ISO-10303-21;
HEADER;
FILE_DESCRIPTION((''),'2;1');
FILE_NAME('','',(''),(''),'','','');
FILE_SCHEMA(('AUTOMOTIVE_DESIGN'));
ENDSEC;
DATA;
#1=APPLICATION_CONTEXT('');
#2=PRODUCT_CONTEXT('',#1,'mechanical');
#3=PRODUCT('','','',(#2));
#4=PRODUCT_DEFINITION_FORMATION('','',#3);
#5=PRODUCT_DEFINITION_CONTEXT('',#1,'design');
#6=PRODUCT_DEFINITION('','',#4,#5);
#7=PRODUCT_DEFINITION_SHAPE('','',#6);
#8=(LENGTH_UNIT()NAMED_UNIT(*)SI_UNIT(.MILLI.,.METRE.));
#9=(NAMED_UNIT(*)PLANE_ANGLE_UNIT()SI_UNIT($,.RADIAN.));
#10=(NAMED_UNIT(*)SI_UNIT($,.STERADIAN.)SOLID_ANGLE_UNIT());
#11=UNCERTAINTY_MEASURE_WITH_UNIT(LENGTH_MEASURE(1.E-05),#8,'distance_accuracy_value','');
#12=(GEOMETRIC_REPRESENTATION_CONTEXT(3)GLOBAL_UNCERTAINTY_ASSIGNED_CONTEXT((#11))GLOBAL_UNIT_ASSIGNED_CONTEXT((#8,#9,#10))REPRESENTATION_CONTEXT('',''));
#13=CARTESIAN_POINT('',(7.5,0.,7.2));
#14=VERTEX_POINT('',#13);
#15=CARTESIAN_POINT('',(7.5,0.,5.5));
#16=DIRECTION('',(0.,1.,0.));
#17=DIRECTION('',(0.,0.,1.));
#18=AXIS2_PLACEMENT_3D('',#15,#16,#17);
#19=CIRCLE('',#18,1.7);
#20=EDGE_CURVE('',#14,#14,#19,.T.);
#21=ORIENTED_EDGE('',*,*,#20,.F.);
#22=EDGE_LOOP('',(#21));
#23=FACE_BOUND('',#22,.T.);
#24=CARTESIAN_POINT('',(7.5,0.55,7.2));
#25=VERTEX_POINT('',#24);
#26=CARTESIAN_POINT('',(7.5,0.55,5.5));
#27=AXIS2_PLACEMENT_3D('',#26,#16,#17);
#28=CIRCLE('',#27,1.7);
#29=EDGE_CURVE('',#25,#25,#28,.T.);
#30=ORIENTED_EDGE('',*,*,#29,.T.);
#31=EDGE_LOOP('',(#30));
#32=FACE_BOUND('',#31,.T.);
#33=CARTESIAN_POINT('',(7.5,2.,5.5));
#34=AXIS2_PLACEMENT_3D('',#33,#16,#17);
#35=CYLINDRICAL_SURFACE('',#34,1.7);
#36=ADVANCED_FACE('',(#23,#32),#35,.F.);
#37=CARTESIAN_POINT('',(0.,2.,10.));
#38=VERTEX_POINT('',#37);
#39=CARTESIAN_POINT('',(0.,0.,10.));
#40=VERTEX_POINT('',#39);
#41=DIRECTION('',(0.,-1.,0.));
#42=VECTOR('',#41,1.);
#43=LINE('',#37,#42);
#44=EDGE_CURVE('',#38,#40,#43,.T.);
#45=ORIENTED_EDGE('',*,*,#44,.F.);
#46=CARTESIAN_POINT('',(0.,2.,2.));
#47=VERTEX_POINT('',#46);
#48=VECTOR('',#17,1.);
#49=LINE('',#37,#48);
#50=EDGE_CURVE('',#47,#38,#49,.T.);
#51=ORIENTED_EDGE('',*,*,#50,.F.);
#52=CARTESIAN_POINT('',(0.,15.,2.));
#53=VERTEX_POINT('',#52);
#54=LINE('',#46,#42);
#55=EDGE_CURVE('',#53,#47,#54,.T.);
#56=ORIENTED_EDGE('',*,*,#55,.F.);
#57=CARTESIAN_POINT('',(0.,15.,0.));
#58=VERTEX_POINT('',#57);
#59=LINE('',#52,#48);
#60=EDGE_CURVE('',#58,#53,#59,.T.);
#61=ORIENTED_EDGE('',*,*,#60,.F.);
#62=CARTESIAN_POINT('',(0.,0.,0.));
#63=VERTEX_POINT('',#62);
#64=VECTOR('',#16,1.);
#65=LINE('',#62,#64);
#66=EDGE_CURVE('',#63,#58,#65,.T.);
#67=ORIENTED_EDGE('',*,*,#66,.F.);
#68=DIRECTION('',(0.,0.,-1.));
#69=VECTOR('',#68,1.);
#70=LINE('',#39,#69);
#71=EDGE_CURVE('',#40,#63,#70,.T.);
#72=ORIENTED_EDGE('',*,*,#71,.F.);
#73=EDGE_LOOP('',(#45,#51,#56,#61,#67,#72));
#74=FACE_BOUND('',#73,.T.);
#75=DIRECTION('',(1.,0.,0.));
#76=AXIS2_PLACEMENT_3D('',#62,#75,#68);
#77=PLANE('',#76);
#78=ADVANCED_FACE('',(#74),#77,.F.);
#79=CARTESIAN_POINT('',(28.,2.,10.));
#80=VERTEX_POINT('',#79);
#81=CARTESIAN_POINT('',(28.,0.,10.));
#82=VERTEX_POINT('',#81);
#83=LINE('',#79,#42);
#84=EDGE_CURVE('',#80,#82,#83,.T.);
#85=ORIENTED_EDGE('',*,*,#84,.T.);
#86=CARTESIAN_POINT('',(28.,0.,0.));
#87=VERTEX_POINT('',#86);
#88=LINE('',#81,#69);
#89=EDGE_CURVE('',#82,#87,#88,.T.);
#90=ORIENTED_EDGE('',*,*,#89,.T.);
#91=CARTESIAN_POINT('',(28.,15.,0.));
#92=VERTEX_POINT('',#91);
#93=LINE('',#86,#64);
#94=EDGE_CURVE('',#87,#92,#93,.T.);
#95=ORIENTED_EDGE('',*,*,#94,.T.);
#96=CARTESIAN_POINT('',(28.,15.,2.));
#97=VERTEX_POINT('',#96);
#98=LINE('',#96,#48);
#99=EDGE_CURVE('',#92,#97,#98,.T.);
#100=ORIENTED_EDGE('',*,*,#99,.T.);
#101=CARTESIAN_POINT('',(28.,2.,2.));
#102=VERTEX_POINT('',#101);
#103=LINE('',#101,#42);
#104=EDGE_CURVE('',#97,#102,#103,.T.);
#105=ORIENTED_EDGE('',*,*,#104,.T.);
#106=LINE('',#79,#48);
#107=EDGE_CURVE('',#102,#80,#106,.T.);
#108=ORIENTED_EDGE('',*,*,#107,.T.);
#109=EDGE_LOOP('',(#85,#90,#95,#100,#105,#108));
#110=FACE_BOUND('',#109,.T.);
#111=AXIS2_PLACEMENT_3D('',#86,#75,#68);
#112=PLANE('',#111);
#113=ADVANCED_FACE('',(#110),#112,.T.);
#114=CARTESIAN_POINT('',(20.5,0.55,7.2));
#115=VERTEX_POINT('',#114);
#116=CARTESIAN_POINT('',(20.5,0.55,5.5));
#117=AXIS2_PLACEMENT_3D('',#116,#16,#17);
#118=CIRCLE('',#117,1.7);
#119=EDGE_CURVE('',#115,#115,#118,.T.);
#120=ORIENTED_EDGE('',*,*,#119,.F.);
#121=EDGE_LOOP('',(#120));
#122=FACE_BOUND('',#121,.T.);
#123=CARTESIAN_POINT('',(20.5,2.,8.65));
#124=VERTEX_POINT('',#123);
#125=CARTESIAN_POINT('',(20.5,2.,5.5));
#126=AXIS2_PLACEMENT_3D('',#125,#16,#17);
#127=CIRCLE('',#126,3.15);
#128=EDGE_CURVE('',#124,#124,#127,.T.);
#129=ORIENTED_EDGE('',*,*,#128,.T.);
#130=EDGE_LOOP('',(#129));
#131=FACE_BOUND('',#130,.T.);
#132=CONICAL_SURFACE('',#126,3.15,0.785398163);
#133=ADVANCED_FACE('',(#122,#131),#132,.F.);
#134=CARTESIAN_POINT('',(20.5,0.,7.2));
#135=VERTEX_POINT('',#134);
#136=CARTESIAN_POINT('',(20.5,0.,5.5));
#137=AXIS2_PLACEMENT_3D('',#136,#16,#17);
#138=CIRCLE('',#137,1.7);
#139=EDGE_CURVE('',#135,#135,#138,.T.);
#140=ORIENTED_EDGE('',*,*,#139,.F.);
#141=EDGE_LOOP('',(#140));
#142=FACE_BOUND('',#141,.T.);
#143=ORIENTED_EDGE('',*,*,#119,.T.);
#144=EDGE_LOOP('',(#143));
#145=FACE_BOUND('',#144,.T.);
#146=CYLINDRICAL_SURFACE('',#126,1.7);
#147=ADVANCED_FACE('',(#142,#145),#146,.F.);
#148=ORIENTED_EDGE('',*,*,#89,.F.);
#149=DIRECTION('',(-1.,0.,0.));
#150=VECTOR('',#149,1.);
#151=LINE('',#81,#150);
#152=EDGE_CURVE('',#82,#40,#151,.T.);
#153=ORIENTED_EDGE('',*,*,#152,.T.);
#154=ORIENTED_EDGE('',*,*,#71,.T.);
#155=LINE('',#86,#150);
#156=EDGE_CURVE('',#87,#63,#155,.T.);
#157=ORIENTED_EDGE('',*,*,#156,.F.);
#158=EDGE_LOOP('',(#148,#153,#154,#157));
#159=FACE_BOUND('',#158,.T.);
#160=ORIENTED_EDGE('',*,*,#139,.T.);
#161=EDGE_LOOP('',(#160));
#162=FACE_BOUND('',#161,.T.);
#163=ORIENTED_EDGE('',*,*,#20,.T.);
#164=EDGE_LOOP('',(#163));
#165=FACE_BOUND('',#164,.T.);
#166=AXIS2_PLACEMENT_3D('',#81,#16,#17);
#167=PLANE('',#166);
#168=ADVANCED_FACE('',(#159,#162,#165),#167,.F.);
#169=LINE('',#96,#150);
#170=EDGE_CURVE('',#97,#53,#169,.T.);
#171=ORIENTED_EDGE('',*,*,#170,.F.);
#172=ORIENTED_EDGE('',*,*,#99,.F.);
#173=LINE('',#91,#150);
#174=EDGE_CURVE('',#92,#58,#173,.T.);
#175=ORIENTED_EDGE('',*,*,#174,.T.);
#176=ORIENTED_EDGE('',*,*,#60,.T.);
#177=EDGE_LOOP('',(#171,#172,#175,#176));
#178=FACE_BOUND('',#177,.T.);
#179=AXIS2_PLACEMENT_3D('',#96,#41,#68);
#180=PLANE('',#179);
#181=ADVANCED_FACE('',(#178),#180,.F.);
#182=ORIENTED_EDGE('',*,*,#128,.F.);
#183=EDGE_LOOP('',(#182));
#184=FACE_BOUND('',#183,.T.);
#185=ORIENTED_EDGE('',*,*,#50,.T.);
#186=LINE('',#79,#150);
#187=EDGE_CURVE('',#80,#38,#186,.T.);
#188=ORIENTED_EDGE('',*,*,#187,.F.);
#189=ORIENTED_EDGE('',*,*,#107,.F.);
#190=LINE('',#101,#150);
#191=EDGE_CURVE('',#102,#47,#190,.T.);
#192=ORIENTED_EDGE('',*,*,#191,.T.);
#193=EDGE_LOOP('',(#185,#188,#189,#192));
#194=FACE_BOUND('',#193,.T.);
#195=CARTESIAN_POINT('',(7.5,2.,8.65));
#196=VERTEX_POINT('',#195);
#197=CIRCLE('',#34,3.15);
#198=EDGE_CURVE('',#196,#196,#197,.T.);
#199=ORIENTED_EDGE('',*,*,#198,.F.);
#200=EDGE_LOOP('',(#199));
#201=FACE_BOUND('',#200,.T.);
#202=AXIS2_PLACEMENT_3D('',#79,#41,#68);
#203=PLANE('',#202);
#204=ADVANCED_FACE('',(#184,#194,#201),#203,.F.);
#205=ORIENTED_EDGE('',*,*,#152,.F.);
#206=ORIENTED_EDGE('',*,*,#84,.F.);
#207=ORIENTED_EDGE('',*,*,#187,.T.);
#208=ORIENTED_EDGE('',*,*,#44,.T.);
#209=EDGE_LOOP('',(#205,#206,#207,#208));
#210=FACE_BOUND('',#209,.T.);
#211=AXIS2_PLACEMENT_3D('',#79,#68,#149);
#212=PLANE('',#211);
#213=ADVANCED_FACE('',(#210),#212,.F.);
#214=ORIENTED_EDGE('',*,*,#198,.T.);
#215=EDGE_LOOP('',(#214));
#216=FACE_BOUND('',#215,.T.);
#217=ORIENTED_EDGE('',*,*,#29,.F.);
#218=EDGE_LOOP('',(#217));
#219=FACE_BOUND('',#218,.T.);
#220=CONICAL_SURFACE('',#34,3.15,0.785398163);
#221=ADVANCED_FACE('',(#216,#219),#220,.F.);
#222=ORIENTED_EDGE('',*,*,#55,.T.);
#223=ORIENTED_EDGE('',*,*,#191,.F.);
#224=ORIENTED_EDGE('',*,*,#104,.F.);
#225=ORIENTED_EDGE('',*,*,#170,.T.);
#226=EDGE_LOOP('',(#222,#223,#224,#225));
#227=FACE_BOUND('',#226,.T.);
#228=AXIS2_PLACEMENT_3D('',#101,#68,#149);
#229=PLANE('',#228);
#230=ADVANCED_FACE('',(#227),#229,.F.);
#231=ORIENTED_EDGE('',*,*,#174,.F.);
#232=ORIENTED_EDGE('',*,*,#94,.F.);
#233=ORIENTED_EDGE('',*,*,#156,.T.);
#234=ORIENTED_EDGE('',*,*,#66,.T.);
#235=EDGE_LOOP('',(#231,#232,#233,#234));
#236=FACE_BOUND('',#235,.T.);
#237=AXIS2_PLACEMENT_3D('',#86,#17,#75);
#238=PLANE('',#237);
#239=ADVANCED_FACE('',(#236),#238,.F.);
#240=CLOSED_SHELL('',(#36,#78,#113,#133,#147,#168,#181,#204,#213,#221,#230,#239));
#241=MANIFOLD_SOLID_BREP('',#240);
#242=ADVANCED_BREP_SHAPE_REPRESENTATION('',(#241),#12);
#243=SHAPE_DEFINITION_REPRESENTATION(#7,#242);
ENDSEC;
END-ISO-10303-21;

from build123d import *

# Parameters (mm, degrees)
BOSS_EXTRUDE1_DEPTH                          = 28
CSK_FOR_M3_COUNTERSUNK_FLAT_HEAD_SCR_2_COUNT = 2
CSK_FOR_M3_COUNTERSUNK_FLAT_HEAD_SCR_2_PITCH = 13


with BuildPart() as part:
    # Sketch1 → Boss-Extrude1 (new body)
    with BuildSketch(Plane(origin=(0, 0, 0), x_dir=(0, 0, -1), z_dir=(1, 0, 0))):
        Polygon((-10, 0), (0, 0), (0, 15), (-2, 15), (-2, 2), (-10, 2), align=None)
    extrude(amount=BOSS_EXTRUDE1_DEPTH)

    # Sketch3 → CSK for M3 Countersunk Flat Head Screw1 (revolve, cut)
    with BuildSketch(Plane(origin=(7.5, 2, 5.5), x_dir=(0, 0, 1), z_dir=(1, 0, 0))):
        Polygon((0, 0), (0, 2), (1.7, 2), (1.7, 1.45), (3.15, 0), align=None)
    csk_for_m3_countersunk_flat_head_screw1 = revolve(axis=Axis((7.5, 8.35, 5.5), (0, -1, 0)), mode=Mode.SUBTRACT)

    # CSK for M3 Countersunk Flat Head Scr 2: CSK for M3 Countersunk Flat Head Screw1 ×2
    with Locations(*[(i * CSK_FOR_M3_COUNTERSUNK_FLAT_HEAD_SCR_2_PITCH, 0, 0) for i in range(1, CSK_FOR_M3_COUNTERSUNK_FLAT_HEAD_SCR_2_COUNT)]):
        add(csk_for_m3_countersunk_flat_head_screw1, mode=Mode.SUBTRACT)


solid = part.part
